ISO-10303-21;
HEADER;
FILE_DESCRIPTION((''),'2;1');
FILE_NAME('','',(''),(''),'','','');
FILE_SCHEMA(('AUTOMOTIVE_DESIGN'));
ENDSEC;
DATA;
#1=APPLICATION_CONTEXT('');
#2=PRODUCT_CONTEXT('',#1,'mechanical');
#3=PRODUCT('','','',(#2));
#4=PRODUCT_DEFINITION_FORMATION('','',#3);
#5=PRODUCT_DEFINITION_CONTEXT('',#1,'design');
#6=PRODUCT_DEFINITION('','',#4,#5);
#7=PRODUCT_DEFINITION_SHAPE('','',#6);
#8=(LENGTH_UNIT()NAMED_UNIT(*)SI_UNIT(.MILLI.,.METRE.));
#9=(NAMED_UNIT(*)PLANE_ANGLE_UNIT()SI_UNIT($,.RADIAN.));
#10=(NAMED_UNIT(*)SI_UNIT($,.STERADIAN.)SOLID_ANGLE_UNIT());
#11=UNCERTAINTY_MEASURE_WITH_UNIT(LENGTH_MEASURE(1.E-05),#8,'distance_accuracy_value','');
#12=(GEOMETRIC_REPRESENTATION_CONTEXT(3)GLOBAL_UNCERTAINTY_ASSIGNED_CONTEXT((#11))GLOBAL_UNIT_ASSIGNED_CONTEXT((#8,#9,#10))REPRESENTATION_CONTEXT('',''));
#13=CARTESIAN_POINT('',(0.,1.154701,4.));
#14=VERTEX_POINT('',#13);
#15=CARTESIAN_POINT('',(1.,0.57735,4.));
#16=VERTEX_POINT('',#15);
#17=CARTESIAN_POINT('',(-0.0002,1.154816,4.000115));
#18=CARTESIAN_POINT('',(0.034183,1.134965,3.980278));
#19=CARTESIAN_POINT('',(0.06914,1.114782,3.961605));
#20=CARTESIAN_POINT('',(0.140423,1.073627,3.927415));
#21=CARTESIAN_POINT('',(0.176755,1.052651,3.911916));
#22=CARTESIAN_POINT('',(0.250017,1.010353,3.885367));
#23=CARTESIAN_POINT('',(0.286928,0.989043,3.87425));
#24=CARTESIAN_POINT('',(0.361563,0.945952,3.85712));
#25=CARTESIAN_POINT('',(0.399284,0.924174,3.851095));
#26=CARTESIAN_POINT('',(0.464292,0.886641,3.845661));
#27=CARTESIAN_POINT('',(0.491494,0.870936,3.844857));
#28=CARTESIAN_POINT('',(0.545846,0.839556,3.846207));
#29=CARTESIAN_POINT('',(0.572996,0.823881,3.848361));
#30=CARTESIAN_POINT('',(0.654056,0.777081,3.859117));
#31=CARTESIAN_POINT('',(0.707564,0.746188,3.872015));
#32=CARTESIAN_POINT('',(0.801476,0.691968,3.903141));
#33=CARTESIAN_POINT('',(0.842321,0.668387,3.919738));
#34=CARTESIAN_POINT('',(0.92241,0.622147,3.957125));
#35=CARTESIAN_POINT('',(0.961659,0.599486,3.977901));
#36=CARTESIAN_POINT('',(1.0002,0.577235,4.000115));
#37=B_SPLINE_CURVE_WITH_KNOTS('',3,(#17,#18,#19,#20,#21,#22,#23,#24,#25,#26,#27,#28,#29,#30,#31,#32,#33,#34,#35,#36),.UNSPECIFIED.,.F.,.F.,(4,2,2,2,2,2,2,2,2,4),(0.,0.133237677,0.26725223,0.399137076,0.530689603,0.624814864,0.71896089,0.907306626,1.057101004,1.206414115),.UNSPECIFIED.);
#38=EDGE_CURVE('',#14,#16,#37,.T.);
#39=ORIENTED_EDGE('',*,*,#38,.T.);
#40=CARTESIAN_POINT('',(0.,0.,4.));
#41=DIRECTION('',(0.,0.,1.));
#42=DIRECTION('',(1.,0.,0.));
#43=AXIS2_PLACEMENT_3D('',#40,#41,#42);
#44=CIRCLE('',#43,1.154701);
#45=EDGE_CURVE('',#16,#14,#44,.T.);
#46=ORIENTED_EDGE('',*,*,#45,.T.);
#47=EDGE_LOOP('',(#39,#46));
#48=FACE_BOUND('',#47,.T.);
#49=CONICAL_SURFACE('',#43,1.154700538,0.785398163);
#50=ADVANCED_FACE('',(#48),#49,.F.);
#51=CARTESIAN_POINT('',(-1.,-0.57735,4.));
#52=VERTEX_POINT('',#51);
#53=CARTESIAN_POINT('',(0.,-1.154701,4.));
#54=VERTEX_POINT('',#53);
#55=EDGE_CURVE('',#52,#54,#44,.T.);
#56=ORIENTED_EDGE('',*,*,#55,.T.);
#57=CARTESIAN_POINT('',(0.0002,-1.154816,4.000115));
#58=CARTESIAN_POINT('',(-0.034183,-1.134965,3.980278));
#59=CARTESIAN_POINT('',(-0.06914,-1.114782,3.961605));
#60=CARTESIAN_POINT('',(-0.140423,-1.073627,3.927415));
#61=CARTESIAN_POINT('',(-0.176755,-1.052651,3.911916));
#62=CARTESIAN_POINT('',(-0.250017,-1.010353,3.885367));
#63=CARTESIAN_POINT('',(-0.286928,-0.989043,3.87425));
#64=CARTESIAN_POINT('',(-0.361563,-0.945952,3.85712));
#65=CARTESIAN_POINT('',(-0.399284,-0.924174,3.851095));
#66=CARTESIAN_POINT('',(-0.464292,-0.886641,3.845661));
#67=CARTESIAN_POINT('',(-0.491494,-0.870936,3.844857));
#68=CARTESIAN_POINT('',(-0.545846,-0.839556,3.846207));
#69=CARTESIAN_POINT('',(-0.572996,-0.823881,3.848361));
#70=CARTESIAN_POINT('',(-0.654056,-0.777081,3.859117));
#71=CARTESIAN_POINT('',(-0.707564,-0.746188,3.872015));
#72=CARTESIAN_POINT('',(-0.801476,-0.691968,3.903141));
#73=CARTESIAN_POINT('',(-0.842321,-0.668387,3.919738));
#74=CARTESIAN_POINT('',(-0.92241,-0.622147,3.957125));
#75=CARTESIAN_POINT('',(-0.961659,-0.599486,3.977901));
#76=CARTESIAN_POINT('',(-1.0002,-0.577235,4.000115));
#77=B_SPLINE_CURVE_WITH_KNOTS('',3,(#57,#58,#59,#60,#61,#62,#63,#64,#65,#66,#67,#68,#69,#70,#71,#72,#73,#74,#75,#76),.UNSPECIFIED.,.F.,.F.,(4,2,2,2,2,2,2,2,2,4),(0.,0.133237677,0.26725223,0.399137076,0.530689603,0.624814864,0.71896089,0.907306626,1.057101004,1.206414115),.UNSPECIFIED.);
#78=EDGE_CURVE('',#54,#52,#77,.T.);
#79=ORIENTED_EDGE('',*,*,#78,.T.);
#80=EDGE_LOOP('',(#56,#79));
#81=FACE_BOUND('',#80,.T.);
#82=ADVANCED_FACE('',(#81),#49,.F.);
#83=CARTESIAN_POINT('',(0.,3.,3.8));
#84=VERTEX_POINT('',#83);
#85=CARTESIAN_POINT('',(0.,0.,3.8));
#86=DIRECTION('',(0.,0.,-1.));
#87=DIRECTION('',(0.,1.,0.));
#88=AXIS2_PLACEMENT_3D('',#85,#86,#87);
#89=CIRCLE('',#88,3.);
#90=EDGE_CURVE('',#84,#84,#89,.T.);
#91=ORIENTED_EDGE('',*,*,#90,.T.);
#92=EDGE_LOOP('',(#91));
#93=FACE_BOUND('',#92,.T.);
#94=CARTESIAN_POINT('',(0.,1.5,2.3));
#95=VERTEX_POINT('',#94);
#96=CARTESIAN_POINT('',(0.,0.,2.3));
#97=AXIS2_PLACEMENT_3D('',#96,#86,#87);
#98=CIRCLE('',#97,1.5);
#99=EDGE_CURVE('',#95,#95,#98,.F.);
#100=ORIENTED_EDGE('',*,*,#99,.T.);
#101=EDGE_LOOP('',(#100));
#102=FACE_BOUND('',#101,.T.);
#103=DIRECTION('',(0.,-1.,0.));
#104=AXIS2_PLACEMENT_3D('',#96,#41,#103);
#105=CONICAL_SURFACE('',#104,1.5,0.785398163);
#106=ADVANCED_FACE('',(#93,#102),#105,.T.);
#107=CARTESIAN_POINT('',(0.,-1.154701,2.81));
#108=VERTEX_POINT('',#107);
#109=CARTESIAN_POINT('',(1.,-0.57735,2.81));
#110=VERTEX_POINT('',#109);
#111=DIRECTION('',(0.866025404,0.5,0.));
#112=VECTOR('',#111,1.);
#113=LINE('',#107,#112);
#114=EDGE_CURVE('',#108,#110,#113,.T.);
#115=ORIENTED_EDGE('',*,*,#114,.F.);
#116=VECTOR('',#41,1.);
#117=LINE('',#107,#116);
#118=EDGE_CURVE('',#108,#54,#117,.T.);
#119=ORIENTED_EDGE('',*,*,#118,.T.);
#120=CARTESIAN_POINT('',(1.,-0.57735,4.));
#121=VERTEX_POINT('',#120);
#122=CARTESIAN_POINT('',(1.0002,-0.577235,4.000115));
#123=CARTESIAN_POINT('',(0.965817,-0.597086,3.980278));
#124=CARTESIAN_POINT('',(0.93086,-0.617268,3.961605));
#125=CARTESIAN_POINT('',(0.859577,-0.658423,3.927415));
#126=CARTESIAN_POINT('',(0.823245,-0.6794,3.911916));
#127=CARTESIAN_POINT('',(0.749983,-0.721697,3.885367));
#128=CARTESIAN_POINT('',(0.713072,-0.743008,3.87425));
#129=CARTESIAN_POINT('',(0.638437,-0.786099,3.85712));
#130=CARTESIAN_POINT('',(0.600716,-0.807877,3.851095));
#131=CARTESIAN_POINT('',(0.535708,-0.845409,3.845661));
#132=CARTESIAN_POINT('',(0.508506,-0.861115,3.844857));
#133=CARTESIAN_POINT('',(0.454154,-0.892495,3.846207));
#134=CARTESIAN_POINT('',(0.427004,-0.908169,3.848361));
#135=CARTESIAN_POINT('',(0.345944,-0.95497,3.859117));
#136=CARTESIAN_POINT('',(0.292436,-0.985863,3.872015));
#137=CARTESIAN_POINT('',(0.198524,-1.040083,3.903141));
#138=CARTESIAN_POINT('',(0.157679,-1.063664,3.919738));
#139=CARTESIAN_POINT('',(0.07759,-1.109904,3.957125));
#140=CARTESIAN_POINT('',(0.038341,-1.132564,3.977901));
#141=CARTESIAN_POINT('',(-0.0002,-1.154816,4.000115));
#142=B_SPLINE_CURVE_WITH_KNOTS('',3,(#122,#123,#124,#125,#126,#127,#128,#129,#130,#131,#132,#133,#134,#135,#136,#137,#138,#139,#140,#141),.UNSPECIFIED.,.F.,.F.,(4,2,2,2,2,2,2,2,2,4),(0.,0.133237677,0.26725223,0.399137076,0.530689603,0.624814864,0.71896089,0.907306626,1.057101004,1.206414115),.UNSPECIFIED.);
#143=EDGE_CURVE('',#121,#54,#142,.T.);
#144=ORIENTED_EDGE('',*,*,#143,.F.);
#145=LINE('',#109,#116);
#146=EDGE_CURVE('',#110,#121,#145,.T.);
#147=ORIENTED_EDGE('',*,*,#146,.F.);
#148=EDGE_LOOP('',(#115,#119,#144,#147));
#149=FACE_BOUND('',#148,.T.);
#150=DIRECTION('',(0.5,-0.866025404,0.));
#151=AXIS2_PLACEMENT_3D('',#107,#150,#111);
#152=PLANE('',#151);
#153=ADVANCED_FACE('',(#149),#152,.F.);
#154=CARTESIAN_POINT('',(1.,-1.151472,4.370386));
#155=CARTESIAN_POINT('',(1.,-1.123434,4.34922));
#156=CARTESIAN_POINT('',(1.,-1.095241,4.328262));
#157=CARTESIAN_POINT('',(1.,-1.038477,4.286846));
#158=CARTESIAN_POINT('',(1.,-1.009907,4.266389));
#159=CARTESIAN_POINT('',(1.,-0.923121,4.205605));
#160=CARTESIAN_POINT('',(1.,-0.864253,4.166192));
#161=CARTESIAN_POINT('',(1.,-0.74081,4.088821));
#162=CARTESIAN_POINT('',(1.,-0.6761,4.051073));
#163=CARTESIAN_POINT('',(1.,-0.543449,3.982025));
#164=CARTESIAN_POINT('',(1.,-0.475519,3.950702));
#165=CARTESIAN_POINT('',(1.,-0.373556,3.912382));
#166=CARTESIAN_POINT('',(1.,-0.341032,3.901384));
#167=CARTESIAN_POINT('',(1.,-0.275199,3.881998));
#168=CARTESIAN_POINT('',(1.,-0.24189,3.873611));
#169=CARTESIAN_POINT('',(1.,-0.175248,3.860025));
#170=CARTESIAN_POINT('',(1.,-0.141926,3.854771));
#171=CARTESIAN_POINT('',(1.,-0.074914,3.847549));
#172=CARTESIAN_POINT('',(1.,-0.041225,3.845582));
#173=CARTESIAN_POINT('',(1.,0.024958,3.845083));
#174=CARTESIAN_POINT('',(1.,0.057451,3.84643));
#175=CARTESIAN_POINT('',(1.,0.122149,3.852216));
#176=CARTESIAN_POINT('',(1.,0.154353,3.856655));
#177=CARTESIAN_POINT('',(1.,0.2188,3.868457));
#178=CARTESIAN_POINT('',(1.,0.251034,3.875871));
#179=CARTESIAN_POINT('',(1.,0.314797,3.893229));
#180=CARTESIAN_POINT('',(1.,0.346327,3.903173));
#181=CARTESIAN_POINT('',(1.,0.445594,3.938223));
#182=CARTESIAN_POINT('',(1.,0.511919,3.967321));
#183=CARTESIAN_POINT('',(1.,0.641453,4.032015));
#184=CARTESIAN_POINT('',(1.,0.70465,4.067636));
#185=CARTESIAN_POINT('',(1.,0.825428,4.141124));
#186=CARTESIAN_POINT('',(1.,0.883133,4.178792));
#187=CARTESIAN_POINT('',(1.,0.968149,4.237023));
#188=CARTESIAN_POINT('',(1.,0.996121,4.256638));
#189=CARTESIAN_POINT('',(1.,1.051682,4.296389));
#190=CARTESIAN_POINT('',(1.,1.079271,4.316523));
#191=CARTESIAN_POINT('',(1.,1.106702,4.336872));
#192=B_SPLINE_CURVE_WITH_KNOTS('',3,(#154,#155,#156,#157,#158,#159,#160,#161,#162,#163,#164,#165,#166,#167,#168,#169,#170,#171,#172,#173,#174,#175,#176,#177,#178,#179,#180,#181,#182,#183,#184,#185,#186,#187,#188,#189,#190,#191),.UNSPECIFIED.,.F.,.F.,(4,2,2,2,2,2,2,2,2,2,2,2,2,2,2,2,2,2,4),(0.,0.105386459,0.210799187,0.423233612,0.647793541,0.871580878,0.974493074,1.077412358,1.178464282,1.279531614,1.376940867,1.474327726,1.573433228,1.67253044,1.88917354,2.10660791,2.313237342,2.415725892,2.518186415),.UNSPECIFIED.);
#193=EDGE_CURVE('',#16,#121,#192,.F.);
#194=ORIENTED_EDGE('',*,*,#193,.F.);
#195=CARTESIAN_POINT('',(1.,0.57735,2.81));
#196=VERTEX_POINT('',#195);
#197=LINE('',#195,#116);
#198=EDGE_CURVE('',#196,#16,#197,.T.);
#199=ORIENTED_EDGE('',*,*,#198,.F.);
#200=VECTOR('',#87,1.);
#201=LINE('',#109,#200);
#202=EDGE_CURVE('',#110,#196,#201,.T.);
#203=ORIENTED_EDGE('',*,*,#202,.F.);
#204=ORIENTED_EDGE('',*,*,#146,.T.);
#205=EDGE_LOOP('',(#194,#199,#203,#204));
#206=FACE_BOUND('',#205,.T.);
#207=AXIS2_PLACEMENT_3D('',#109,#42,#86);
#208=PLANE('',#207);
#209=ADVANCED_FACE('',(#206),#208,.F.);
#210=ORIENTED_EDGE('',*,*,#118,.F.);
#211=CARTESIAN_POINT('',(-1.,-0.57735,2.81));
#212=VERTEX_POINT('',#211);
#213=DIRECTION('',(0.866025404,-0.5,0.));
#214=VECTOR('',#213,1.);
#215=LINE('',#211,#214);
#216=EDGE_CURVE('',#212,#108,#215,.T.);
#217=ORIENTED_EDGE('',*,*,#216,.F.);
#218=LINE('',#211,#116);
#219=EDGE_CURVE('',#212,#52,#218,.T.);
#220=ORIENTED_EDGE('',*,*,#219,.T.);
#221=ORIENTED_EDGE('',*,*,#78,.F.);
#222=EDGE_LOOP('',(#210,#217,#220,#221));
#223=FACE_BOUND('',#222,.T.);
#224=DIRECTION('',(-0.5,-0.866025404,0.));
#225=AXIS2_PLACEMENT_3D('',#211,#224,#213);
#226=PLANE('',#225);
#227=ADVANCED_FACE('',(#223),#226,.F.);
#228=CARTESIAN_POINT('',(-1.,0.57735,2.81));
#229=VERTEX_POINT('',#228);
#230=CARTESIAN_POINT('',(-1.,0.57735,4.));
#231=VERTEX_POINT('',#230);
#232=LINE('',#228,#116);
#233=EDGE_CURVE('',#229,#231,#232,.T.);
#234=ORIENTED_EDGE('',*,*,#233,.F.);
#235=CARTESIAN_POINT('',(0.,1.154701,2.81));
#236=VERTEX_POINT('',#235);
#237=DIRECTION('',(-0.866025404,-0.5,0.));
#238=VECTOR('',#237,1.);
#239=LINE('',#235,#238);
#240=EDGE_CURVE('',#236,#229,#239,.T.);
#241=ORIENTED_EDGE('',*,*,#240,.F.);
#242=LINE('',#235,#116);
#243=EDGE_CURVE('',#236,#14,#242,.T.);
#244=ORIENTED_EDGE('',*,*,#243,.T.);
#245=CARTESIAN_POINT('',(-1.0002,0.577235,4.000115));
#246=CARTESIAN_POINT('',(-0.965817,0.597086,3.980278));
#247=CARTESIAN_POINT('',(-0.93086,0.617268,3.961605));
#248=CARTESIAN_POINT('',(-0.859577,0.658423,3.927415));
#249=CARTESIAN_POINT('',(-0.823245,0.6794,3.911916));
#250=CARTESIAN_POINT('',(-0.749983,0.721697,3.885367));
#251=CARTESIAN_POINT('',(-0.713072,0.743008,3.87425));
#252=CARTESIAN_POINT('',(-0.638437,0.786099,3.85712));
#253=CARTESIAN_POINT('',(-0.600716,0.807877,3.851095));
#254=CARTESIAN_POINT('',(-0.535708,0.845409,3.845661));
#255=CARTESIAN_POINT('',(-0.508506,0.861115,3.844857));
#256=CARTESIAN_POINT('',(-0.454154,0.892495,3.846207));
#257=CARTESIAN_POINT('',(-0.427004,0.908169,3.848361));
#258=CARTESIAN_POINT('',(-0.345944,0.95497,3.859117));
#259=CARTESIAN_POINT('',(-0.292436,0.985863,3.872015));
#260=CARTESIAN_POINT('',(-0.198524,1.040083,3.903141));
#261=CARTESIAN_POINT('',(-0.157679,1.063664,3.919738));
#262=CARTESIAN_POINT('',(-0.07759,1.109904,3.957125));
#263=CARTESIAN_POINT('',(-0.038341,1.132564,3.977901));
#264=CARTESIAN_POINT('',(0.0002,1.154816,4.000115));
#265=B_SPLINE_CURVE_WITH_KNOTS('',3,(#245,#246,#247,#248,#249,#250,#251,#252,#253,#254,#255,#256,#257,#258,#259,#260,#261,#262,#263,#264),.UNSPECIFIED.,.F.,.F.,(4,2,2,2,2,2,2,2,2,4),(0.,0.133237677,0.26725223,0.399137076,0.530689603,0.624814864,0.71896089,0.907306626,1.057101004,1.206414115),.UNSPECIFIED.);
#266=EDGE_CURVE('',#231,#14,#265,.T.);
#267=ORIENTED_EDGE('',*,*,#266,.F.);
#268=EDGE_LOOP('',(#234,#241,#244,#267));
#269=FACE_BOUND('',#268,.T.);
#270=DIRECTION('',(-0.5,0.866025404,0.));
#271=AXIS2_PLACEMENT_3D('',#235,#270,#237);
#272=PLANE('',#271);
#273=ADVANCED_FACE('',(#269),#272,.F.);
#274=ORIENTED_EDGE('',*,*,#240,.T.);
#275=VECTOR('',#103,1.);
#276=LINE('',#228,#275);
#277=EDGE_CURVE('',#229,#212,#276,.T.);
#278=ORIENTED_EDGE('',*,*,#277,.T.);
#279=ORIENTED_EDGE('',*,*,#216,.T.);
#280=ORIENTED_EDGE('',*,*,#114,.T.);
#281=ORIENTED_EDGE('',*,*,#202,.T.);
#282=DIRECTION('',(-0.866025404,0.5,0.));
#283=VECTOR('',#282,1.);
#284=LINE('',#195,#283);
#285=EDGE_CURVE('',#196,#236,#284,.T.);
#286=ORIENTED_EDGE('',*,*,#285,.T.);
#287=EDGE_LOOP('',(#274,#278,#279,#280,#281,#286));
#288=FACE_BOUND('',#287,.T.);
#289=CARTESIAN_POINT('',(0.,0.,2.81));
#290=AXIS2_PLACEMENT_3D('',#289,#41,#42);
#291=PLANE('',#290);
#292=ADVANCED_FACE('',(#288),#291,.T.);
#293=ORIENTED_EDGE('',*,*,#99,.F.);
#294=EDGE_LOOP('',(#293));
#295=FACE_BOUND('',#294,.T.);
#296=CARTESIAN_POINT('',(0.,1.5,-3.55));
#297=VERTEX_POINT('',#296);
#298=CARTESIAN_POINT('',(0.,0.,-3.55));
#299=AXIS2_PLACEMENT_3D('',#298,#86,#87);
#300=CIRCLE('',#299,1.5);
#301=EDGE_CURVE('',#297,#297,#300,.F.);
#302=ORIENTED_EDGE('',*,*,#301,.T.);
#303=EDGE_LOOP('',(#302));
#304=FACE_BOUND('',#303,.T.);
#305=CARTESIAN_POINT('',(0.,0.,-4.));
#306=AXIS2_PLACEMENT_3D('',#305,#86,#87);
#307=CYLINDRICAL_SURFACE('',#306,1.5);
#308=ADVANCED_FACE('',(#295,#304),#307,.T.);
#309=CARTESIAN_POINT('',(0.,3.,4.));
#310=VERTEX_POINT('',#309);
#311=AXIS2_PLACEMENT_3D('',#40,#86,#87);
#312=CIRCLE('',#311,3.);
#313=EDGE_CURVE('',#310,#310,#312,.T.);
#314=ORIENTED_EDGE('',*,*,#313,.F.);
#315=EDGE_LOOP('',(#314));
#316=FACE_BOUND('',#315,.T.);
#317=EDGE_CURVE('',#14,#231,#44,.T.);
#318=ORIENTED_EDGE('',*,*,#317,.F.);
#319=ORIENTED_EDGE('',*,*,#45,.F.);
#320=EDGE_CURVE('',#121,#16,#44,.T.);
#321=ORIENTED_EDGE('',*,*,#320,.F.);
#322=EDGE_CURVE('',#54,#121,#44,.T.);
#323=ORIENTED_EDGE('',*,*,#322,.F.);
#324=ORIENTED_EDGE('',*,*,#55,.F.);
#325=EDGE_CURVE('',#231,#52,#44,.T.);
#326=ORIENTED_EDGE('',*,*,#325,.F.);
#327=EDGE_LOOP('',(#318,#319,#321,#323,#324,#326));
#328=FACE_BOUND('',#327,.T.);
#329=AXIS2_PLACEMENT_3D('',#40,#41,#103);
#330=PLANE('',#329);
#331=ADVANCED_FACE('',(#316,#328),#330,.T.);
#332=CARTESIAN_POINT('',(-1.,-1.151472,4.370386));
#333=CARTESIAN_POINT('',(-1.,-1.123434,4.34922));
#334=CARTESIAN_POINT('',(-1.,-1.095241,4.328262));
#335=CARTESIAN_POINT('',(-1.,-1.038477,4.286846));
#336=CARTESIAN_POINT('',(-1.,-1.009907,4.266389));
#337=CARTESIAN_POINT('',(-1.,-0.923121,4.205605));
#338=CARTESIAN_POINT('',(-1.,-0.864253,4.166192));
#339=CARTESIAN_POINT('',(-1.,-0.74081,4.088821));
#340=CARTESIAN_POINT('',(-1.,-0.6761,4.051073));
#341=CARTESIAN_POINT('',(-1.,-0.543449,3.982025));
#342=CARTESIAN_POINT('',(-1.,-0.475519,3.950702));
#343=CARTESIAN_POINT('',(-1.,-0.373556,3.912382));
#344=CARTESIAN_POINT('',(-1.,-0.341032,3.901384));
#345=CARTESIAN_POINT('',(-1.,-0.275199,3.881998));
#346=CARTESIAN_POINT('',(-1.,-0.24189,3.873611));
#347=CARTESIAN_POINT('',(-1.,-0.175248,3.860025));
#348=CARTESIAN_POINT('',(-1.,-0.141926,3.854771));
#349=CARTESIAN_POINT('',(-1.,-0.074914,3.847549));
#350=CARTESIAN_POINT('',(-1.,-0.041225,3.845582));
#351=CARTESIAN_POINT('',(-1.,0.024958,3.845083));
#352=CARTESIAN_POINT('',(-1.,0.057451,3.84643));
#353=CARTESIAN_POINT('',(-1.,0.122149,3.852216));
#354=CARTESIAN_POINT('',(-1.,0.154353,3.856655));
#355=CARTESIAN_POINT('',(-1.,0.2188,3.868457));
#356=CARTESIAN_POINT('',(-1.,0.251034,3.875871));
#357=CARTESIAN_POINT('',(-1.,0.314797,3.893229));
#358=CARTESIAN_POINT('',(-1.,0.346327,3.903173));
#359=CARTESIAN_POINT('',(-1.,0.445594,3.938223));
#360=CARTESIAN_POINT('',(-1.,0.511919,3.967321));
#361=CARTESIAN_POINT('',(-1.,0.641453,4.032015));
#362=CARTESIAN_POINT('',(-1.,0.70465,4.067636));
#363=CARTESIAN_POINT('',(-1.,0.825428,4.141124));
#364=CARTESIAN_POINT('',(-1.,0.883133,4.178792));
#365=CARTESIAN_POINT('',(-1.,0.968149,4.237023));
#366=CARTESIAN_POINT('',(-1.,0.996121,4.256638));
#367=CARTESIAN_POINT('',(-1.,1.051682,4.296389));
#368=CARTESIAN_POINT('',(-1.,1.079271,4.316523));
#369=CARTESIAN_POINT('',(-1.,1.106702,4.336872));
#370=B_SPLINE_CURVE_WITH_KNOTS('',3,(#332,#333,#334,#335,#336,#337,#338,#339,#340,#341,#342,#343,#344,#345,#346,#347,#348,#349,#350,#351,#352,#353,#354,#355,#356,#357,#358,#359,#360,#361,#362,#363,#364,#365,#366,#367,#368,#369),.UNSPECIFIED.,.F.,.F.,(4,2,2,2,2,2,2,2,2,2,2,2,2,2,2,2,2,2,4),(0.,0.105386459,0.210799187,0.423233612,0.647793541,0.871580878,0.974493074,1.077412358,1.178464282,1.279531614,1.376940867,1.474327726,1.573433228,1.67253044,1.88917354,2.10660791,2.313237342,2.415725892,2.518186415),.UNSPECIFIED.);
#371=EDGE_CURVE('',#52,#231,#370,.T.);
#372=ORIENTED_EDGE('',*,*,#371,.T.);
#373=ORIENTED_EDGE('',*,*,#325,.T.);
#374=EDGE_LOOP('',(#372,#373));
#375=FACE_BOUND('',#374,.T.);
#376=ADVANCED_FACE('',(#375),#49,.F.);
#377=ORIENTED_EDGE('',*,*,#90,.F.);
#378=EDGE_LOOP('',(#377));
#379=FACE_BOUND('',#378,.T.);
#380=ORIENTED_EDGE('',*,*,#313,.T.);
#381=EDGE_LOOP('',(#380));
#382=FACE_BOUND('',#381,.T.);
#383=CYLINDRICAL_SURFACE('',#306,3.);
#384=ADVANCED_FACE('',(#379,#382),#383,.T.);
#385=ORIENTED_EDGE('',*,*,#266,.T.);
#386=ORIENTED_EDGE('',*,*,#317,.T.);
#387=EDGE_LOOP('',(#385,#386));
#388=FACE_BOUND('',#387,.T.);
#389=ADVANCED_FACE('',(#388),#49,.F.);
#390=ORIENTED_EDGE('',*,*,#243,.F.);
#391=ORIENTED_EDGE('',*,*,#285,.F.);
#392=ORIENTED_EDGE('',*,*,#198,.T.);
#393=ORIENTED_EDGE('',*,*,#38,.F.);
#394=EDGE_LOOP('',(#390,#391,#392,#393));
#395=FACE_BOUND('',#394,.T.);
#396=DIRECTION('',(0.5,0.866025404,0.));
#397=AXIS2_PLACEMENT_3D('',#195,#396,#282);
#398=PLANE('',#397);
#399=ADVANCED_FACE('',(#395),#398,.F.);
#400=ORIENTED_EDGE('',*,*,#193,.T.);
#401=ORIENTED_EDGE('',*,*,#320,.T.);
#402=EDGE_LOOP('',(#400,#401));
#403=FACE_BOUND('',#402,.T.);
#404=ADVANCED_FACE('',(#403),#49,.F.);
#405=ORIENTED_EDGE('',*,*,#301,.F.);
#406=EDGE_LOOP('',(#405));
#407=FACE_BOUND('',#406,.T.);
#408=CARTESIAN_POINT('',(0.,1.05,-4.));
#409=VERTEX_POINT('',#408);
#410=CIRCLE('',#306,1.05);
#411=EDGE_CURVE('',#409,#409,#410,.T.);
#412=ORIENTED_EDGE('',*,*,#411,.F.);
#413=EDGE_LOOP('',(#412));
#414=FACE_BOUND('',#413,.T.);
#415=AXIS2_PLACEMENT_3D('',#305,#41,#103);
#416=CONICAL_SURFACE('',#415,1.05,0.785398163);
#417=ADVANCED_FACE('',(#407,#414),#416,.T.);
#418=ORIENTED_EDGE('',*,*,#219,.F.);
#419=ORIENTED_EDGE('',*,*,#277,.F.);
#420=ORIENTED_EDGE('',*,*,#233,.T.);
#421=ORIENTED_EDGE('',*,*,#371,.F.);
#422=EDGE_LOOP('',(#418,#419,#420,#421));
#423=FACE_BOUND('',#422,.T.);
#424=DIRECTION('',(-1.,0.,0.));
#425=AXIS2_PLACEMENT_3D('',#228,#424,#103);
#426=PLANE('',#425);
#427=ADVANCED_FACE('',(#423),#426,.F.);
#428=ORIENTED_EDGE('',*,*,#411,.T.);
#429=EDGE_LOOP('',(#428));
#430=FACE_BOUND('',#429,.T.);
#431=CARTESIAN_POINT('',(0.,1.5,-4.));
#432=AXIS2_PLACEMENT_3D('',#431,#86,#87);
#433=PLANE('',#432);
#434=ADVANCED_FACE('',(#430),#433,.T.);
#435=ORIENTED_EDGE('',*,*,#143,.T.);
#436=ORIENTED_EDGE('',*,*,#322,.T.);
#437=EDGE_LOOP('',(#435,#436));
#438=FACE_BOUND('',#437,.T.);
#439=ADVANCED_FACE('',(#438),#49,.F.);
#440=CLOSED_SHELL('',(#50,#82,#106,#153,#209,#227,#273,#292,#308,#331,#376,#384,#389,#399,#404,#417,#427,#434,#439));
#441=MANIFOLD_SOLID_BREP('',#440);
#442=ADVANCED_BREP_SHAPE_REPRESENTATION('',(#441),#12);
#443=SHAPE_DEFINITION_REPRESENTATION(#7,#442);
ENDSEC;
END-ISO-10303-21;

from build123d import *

# Parameters (mm, degrees)
SKETCH3_W          = 8
SKETCH3_H          = 1.5
CHAMFER1_SIZE      = 0.45
CUT_EXTRUDE1_DEPTH = 1.19


with BuildPart() as part:
    # Sketch3 → Revolve1 (revolve)
    with BuildSketch(Plane(origin=(0, 0, 0), x_dir=(0, 0, -1), z_dir=(1, 0, 0))):
        with Locations((0, 0.75)):
            Rectangle(SKETCH3_W, SKETCH3_H)
    revolve(axis=Axis((0, 0, -4), (0, 0, 1)))

    # Chamfer1
    chamfer1_edges = [part.edges().sort_by_distance(p)[0] for p in [
        (0, -1.5, -4),
    ]]
    chamfer(chamfer1_edges, length=CHAMFER1_SIZE)

    # Sketch6 → Revolve2 (revolve)
    with BuildSketch(Plane(origin=(0, 0, 0), x_dir=(0, 0, -1), z_dir=(1, 0, 0))):
        Polygon((-4, 3), (-3.8, 3), (-2.3, 1.5), (-2.3, 0), (-4, 0), align=None)
    revolve(axis=Axis((0, 0, -4), (0, 0, 1)))

    # Sketch8 → Cut-Extrude1 (cut)
    with BuildSketch(Plane.XY.offset(4)):
        Polygon((0, 1.154700538), (-1, 0.577350269), (-1, -0.577350269), (0, -1.154700538), (1, -0.577350269), (1, 0.577350269), align=None)
    extrude(amount=-CUT_EXTRUDE1_DEPTH, mode=Mode.SUBTRACT)

    # Cut-Extrude2 cone 1 section (through the dimple's axis) → Cut-Extrude2 (revolve, cut)
    with BuildSketch(Plane(origin=(0, 0, 4), x_dir=(0, -1, 0), z_dir=(1, 0, 0))):
        Polygon((0, 0), (1.154700538, 0), (0, 1.154700538), align=None)
    revolve(axis=Axis((0, 0, 4), (0, 0, -1)), mode=Mode.SUBTRACT)


solid = part.part
